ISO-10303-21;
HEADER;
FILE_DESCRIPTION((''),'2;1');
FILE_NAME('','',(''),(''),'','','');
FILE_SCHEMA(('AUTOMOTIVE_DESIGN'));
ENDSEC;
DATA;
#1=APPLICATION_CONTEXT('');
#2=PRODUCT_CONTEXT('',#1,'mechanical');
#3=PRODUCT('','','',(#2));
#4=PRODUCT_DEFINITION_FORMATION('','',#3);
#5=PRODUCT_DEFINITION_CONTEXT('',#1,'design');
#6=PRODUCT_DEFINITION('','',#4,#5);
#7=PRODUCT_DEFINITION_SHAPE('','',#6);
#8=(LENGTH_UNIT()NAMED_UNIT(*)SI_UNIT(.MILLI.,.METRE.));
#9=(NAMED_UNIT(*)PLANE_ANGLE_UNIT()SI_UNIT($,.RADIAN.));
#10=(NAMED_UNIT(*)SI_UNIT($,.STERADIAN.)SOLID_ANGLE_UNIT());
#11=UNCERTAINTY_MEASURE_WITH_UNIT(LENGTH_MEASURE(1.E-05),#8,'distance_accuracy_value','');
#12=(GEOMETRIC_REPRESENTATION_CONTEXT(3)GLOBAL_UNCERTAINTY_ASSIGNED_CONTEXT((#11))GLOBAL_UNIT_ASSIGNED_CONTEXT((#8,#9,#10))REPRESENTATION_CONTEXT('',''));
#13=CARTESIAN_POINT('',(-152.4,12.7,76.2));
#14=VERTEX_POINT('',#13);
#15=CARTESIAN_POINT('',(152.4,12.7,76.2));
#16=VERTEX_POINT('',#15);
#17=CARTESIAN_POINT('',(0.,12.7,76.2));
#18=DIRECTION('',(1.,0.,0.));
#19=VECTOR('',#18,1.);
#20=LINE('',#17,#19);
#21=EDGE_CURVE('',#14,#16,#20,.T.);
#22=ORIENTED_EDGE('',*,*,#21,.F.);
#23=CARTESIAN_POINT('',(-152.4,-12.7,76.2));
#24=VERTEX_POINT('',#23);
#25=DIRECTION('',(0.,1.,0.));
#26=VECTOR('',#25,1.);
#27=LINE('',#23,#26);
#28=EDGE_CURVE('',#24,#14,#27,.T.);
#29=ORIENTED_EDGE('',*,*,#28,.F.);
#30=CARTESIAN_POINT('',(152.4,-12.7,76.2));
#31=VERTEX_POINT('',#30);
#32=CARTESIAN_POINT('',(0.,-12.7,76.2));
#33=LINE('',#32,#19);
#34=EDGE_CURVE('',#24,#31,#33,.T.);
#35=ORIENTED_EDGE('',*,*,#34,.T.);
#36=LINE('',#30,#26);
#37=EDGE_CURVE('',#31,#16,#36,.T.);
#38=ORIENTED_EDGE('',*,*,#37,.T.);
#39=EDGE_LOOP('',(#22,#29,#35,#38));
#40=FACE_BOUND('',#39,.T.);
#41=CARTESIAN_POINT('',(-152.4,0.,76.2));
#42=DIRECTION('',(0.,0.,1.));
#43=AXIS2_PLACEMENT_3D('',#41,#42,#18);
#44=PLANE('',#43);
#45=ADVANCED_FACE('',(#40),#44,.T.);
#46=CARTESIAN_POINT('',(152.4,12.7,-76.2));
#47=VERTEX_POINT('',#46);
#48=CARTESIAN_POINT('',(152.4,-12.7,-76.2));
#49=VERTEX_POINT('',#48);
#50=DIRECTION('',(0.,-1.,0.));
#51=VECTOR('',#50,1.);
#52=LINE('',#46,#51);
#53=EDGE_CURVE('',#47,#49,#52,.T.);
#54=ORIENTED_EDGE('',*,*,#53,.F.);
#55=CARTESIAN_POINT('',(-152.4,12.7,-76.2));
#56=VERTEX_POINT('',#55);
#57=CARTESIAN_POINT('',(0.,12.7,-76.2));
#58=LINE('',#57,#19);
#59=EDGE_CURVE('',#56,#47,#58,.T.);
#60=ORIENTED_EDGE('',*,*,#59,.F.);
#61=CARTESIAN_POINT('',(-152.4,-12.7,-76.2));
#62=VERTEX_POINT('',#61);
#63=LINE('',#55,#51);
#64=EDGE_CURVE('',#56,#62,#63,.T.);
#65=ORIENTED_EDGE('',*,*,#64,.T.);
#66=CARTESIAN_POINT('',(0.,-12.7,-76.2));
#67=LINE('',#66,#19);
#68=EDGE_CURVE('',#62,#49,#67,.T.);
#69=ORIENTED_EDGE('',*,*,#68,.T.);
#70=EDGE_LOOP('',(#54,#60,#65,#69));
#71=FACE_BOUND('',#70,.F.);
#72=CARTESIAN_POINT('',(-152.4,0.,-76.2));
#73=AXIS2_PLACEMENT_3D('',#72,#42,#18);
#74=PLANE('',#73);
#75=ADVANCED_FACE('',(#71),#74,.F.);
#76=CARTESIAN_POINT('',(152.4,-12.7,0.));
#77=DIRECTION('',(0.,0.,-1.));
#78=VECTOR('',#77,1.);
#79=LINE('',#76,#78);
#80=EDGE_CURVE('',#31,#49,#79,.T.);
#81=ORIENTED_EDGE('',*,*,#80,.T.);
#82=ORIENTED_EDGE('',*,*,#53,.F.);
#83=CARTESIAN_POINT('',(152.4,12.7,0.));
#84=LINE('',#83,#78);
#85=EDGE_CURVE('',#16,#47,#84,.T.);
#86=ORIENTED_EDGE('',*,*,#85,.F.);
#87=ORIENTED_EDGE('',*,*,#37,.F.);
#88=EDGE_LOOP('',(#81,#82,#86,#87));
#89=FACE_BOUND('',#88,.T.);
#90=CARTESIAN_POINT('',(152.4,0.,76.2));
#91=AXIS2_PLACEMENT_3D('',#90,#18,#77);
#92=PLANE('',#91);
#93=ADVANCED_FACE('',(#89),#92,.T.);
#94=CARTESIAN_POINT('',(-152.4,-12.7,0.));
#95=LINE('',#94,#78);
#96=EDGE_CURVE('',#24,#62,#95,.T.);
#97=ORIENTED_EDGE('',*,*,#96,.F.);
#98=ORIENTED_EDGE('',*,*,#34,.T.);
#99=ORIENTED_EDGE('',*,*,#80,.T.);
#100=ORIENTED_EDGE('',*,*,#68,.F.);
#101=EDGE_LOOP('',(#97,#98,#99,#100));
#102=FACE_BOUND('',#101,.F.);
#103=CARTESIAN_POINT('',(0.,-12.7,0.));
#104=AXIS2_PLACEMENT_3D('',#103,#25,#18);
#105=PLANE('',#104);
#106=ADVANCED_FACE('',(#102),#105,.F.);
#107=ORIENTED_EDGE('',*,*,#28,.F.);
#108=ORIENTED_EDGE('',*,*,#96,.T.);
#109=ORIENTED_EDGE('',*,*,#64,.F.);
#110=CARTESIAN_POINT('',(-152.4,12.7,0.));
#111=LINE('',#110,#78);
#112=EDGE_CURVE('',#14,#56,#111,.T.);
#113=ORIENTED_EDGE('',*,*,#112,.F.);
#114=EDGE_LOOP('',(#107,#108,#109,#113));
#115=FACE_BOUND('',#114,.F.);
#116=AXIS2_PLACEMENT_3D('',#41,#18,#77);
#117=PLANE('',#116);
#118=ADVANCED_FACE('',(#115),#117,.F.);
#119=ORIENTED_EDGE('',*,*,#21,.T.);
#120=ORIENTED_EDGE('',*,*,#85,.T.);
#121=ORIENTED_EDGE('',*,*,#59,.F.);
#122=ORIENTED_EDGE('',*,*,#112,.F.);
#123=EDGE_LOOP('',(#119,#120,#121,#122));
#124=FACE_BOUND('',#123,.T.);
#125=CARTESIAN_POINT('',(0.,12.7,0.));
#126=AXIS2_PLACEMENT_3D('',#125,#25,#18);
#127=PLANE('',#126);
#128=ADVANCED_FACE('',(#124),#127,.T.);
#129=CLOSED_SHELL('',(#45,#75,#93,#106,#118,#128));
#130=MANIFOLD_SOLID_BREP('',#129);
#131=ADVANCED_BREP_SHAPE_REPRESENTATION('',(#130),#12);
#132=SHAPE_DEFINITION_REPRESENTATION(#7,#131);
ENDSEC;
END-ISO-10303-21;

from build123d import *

# Parameters (mm, degrees)
SKETCH1_W           = 304.8
SKETCH1_H           = 152.4
BOSS_EXTRUDE1_DEPTH = 12.7


with BuildPart() as part:
    # Sketch1 → Boss-Extrude1 (new body, symmetric)
    with BuildSketch(Plane(origin=(0, 0, 0), x_dir=(1, 0, 0), z_dir=(0, 1, 0))):
        Rectangle(SKETCH1_W, SKETCH1_H)
    extrude(amount=BOSS_EXTRUDE1_DEPTH, both=True)


solid = part.part
